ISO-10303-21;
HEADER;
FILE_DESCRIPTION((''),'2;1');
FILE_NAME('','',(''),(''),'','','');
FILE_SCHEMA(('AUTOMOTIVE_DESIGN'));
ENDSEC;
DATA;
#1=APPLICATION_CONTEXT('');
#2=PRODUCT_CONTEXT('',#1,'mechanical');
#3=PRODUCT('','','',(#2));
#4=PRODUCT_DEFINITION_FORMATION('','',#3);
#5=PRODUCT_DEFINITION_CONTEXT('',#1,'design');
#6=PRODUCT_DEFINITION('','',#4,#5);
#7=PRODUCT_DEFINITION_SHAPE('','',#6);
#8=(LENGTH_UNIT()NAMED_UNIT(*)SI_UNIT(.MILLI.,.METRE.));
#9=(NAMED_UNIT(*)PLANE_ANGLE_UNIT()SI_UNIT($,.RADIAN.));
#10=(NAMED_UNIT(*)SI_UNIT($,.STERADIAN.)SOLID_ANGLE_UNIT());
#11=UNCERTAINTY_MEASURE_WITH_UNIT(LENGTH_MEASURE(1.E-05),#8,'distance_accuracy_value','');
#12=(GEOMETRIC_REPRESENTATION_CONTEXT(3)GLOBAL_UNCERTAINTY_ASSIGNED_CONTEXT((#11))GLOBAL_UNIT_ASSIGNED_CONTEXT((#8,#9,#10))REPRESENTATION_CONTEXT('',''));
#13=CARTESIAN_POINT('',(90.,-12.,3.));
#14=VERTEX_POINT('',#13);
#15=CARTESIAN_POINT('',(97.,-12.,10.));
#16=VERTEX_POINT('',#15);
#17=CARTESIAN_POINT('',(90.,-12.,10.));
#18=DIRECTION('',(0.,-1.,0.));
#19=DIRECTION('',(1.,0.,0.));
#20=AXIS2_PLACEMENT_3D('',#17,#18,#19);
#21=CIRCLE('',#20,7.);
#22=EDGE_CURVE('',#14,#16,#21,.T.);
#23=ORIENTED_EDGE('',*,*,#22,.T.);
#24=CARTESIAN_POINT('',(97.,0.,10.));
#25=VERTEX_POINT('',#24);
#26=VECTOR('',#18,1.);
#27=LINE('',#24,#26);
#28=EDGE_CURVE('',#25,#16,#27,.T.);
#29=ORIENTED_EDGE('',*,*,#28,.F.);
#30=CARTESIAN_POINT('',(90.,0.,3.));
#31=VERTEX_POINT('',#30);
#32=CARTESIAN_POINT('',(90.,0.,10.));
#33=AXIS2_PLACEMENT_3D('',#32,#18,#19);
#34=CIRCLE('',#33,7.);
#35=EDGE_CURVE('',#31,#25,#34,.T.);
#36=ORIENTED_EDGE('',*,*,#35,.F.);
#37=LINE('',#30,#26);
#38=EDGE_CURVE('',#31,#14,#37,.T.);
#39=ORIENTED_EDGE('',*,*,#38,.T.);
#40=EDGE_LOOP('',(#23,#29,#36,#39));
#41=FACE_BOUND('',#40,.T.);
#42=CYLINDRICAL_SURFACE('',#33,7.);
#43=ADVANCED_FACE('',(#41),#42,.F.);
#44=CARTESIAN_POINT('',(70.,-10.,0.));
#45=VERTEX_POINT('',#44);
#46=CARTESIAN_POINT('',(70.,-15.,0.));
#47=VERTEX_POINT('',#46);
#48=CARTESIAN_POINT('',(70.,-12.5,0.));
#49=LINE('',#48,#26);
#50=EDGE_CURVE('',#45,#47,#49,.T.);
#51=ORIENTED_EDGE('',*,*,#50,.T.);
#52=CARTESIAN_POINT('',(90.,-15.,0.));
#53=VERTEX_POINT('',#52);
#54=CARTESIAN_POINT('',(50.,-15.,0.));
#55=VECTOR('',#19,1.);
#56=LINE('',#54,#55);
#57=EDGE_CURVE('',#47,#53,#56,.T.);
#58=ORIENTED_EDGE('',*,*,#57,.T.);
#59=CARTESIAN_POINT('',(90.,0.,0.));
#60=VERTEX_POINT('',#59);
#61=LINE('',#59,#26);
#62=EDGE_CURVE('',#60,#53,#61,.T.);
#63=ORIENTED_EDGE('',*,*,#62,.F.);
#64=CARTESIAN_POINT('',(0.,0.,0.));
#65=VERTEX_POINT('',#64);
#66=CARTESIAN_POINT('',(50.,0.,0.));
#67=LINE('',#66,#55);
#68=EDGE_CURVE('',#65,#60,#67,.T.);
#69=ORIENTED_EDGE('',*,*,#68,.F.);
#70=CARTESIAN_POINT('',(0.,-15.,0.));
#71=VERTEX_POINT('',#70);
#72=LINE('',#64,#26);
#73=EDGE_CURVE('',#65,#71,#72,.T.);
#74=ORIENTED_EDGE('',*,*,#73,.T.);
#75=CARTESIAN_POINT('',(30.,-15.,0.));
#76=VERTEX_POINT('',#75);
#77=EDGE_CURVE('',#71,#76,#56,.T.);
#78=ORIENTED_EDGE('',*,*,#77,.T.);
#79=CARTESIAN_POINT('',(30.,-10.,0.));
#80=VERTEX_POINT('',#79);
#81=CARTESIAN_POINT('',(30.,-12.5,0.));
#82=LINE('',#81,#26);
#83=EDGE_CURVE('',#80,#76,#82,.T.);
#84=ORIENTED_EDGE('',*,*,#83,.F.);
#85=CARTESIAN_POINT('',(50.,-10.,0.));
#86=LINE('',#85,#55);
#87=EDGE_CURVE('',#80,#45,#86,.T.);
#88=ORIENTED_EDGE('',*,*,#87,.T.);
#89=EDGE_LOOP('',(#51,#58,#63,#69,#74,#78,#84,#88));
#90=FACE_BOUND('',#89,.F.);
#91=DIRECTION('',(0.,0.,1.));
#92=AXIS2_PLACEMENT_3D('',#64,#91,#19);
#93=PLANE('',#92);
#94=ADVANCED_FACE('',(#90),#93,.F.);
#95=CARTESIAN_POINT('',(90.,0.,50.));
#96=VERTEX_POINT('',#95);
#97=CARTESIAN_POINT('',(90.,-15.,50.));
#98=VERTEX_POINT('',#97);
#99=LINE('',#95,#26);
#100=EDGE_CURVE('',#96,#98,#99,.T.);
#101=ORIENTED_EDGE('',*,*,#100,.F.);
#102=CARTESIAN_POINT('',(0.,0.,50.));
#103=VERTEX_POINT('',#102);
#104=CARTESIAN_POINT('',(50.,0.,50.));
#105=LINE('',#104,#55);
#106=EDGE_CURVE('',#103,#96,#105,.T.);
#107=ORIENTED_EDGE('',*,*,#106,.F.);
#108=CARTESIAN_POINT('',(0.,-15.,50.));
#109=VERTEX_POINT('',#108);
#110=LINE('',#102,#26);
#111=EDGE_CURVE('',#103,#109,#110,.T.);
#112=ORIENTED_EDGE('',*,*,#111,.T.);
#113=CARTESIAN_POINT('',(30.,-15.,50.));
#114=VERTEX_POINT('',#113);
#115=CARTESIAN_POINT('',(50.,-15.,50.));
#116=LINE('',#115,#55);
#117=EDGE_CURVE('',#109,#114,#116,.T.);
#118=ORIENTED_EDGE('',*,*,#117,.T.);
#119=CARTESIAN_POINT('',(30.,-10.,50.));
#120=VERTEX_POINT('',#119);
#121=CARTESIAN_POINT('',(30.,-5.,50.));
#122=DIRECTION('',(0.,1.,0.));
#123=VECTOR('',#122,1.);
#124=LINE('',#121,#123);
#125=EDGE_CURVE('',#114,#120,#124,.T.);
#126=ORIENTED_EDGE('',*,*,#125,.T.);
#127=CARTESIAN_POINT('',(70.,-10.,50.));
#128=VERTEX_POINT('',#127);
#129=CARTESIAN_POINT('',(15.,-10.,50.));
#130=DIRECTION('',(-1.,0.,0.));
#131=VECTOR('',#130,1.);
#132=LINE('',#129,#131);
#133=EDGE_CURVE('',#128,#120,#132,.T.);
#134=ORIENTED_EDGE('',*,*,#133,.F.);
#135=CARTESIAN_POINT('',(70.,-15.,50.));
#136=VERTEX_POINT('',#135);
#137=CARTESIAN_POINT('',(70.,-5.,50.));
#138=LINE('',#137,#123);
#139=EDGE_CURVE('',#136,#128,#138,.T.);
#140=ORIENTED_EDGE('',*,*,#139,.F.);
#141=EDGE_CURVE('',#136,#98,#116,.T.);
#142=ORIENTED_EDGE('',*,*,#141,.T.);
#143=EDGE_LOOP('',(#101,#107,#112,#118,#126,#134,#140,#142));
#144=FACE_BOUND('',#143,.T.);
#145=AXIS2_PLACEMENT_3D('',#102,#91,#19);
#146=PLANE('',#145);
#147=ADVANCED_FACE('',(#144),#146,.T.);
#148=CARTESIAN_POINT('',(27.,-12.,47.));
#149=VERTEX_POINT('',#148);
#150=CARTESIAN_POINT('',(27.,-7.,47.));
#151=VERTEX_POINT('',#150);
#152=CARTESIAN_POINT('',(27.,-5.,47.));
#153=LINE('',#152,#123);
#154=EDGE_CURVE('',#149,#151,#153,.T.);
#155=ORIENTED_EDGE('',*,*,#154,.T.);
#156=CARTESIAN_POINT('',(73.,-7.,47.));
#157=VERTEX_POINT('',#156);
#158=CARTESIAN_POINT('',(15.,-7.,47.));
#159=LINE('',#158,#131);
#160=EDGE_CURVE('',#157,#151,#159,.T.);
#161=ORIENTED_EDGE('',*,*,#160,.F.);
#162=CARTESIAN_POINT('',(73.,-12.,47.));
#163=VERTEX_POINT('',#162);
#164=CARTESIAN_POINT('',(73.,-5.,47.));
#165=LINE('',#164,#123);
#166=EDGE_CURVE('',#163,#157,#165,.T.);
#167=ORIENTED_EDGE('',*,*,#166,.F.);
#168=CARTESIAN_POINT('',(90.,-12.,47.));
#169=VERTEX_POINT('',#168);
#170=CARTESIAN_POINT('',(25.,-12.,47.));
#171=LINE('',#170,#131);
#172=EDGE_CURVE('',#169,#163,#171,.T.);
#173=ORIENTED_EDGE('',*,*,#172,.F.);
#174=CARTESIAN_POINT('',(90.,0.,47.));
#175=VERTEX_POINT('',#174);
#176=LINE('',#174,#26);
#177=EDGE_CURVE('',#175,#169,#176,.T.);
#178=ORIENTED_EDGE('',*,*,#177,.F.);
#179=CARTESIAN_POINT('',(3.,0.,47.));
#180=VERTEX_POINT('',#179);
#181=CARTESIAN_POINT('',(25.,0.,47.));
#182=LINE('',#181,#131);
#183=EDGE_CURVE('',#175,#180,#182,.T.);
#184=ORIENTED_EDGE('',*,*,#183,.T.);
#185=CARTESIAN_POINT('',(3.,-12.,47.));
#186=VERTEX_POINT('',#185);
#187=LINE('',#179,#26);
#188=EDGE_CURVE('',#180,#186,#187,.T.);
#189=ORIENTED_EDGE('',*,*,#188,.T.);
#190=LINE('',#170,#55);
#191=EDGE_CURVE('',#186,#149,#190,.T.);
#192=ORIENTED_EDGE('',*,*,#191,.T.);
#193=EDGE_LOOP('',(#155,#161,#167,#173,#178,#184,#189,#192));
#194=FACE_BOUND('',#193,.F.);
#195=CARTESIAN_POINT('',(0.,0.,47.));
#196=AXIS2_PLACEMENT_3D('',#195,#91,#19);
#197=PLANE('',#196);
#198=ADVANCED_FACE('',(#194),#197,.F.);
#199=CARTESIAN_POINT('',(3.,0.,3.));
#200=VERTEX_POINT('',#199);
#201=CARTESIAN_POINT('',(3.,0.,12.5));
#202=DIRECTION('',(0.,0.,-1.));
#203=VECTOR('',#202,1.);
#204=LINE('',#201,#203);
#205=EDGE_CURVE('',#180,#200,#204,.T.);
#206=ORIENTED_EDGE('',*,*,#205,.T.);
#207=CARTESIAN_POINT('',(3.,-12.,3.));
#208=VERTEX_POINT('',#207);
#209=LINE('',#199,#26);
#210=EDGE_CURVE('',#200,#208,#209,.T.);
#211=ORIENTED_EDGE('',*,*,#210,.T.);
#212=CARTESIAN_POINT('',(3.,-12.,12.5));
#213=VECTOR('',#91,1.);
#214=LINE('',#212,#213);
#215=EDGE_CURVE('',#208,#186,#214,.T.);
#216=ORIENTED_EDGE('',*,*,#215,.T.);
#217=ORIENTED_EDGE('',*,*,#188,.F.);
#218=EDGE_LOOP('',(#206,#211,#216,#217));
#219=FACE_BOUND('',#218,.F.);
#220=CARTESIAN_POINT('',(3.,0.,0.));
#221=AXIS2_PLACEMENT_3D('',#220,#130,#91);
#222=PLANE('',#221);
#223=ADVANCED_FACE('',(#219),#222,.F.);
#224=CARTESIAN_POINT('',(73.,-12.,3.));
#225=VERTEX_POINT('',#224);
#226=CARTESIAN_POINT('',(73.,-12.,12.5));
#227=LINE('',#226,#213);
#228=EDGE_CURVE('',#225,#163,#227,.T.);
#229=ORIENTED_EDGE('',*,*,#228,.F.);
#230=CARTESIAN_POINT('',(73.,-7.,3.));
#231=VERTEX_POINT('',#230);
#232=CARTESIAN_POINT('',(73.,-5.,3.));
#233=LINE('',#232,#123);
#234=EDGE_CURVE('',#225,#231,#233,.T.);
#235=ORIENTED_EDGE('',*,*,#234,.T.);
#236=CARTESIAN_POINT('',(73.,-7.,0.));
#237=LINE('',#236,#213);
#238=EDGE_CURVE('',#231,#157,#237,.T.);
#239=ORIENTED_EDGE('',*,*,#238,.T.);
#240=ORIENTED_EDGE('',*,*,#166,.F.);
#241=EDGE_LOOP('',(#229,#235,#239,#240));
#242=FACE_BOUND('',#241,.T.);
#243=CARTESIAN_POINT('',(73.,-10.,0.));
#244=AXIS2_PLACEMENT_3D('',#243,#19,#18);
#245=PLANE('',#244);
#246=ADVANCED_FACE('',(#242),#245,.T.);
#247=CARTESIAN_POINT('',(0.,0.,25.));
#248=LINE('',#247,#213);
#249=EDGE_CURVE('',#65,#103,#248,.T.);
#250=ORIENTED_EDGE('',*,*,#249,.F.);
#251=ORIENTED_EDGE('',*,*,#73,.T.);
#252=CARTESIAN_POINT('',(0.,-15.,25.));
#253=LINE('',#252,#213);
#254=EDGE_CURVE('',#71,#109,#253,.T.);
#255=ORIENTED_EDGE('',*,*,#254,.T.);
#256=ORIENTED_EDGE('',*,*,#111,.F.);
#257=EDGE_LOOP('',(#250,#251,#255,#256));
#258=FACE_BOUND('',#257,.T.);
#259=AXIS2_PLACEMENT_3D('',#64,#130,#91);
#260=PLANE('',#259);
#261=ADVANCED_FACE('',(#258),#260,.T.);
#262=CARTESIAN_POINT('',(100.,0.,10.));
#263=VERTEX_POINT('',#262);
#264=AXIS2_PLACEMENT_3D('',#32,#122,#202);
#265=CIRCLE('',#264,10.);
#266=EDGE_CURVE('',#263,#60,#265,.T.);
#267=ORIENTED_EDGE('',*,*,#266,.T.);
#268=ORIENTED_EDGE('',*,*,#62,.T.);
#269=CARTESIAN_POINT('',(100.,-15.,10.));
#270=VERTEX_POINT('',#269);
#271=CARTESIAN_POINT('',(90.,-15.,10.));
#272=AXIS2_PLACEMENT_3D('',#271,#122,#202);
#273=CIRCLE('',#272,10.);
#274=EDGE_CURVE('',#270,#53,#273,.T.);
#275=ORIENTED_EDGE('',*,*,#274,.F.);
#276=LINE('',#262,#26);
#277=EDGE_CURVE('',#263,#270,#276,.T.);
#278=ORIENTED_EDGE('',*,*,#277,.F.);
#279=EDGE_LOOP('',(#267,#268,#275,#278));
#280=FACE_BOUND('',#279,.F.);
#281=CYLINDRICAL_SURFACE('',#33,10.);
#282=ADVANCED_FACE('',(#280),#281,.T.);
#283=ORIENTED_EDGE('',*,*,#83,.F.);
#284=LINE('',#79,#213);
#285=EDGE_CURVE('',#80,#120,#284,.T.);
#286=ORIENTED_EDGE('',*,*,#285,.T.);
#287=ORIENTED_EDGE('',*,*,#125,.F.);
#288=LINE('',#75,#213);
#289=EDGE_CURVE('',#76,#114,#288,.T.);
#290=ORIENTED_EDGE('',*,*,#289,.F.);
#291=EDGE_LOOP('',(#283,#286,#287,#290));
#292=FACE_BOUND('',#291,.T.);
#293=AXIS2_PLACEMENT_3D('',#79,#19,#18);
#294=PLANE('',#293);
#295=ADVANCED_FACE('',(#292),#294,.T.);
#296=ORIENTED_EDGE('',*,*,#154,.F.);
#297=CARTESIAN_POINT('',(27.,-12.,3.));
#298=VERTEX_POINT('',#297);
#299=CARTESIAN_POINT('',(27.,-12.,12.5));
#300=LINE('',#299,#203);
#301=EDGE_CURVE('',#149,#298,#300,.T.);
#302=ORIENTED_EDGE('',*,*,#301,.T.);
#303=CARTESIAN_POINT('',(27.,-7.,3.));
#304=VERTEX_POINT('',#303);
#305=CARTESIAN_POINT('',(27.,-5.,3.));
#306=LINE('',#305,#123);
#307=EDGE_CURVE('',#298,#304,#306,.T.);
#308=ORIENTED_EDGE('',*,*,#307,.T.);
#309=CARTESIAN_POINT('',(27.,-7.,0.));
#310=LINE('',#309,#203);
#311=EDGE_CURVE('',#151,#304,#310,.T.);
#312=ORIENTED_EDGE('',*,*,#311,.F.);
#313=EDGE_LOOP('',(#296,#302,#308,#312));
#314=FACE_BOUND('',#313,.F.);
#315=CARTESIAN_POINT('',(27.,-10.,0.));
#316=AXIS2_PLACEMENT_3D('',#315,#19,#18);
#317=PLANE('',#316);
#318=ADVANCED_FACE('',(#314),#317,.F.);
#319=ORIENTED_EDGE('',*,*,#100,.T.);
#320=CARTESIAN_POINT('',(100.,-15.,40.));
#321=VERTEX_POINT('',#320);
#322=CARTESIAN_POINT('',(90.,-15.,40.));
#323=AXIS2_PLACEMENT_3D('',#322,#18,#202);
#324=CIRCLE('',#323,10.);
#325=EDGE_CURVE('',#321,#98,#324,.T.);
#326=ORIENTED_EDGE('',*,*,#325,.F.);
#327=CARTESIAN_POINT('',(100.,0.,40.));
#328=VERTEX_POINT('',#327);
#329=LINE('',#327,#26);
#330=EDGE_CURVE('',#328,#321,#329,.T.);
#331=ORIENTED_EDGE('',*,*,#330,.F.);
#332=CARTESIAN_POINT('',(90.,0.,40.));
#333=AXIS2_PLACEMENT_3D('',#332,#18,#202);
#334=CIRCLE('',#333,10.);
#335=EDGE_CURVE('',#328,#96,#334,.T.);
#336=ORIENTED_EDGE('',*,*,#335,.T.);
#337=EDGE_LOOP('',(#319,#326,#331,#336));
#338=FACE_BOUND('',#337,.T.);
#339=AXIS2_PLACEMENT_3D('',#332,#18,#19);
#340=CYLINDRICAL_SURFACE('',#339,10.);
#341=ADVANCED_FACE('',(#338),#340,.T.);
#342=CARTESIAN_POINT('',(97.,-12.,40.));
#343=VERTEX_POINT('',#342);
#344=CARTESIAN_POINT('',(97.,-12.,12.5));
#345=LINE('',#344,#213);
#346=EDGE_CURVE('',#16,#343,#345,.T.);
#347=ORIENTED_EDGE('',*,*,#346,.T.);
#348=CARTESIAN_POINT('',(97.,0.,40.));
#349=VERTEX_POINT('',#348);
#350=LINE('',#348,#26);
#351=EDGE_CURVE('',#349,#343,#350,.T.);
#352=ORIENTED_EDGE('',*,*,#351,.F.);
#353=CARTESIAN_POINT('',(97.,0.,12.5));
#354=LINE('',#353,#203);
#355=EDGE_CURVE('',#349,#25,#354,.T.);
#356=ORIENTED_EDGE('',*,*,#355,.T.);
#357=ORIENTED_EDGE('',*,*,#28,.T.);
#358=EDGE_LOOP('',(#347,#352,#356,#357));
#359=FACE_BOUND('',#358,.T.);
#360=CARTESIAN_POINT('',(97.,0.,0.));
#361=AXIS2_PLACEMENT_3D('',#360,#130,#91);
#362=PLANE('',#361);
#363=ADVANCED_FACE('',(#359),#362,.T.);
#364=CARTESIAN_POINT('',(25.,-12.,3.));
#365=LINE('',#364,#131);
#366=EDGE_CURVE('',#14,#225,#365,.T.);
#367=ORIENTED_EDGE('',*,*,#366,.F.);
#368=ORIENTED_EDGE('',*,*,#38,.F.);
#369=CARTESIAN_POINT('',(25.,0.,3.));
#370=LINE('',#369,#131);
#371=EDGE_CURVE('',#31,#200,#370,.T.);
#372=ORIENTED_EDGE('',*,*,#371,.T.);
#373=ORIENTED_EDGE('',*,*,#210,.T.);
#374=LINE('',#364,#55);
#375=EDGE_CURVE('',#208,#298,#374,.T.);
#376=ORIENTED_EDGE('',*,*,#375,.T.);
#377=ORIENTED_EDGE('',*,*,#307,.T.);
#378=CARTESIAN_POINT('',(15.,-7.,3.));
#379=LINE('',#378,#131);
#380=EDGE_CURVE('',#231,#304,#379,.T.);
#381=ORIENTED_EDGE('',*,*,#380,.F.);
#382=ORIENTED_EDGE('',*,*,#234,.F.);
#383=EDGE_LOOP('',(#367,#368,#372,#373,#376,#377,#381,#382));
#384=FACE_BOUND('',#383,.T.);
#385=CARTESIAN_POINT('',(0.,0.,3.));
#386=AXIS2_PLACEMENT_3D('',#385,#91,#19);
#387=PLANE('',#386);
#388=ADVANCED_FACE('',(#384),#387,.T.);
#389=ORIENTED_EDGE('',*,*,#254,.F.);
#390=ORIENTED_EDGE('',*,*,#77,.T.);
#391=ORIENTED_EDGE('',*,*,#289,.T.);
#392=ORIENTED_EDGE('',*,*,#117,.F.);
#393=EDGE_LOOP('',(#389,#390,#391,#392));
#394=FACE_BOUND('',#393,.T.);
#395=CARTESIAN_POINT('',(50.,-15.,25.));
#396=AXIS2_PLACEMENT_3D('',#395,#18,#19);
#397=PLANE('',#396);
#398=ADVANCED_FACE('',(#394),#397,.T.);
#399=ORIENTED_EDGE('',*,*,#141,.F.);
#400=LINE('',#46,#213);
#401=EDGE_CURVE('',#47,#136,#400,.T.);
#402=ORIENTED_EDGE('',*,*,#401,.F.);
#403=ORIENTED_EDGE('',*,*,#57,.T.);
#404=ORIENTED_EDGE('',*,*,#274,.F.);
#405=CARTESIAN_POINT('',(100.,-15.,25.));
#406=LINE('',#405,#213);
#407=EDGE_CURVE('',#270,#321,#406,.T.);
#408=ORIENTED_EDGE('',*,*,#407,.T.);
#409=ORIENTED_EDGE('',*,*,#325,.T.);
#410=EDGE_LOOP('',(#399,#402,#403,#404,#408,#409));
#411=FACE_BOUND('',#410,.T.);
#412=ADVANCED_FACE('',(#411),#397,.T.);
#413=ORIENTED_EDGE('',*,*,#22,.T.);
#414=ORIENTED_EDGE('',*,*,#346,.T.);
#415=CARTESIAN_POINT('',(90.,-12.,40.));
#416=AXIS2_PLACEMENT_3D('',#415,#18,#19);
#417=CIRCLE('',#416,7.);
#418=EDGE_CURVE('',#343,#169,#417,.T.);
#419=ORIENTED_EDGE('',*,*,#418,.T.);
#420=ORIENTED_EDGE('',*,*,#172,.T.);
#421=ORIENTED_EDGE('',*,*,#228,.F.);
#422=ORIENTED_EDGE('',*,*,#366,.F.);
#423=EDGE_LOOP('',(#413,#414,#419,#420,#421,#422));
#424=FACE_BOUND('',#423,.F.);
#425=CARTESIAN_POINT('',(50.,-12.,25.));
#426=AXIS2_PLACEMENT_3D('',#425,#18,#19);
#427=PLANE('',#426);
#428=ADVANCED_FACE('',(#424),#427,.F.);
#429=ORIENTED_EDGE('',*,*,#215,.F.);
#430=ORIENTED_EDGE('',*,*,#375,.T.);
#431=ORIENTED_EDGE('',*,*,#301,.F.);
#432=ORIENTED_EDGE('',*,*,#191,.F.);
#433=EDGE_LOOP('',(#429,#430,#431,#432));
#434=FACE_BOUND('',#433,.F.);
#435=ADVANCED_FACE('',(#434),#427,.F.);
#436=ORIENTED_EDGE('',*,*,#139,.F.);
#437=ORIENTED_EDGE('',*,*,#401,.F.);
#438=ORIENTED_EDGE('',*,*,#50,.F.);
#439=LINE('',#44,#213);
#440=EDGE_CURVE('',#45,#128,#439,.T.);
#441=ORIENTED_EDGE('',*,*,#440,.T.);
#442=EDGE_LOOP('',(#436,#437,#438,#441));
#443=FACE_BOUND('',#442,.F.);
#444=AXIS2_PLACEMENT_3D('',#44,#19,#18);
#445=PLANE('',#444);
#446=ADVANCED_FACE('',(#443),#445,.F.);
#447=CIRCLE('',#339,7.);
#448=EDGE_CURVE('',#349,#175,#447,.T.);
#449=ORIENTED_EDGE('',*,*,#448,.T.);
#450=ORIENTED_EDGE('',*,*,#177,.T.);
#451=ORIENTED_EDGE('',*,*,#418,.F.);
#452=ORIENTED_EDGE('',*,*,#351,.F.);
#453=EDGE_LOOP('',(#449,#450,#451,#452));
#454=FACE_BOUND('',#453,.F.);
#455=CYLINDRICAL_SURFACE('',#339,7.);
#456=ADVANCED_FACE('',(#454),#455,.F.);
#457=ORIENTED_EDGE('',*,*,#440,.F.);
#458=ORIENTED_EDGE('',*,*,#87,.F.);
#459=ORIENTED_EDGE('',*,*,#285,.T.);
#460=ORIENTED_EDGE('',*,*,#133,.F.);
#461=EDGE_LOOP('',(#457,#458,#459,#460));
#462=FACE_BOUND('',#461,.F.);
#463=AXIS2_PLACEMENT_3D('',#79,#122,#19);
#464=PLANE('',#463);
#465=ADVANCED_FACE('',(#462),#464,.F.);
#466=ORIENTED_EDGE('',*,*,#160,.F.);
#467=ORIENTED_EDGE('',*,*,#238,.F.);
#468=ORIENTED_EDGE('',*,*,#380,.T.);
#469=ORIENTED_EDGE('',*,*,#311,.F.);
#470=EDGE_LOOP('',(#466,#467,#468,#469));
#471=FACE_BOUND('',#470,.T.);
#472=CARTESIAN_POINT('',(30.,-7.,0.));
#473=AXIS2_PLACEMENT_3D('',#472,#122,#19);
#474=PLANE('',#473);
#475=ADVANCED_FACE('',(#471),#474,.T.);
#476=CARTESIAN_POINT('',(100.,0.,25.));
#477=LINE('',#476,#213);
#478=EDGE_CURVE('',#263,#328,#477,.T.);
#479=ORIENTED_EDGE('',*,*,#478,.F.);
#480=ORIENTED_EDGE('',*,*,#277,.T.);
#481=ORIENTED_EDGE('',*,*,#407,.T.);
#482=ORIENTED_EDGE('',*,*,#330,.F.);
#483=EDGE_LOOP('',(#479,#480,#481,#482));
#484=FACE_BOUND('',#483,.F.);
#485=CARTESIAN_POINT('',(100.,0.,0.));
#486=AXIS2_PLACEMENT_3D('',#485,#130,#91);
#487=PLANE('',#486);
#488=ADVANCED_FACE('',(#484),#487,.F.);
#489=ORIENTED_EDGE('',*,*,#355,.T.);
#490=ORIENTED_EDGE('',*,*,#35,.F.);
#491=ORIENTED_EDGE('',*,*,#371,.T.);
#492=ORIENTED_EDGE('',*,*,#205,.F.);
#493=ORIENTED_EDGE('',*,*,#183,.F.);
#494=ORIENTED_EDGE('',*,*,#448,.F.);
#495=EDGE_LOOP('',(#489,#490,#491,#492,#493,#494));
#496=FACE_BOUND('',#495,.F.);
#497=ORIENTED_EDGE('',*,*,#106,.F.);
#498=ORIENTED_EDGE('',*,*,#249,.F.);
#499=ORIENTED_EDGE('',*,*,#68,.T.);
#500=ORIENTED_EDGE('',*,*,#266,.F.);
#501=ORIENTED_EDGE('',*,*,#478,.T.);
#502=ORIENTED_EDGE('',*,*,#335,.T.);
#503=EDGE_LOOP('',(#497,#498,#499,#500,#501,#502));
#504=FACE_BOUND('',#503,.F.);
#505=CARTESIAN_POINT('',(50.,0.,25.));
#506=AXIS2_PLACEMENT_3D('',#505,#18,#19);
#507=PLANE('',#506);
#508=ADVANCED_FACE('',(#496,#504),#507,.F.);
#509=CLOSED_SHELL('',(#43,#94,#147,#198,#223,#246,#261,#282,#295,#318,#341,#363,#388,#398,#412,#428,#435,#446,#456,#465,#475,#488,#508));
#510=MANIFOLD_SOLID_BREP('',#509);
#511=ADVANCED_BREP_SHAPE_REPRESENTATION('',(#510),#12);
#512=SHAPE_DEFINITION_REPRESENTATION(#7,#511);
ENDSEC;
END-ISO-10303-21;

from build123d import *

# Parameters (mm, degrees)
F1_W     = 100
F1_H     = 50
F2_DEPTH = 15
F3_R     = 10
F4_R     = 10
F5_W     = 40
F5_H     = 5
F6_DEPTH = 50.001
F7_T     = -3


with BuildPart() as f2:
    # F1 (on Front) → F2 (new body)
    with BuildSketch(Plane.XZ):
        with Locations((50, 25)):
            Rectangle(F1_W, F1_H)
    extrude(amount=F2_DEPTH)

    # F3
    f3_edges = [f2.edges().sort_by_distance(p)[0] for p in [
        (100, -7.5, 50),
    ]]
    fillet(f3_edges, radius=F3_R)

    # F4
    f4_edges = [f2.edges().sort_by_distance(p)[0] for p in [
        (100, -7.5, 0),
    ]]
    fillet(f4_edges, radius=F4_R)

    # F5 (on face) → F6 (cut, through all)
    with BuildSketch(Plane(origin=(0, 0, 0), x_dir=(1, 0, 0), z_dir=(0, 0, -1))):
        with Locations((50, 12.5)):
            Rectangle(F5_W, F5_H)
    extrude(amount=-F6_DEPTH, mode=Mode.SUBTRACT)

    # F7
    f7_openings = [f2.faces().sort_by_distance(p)[0] for p in [
        (49.58642, 0, 25),
    ]]
    offset(amount=F7_T, openings=f7_openings, kind=Kind.INTERSECTION)


solid = f2.part
